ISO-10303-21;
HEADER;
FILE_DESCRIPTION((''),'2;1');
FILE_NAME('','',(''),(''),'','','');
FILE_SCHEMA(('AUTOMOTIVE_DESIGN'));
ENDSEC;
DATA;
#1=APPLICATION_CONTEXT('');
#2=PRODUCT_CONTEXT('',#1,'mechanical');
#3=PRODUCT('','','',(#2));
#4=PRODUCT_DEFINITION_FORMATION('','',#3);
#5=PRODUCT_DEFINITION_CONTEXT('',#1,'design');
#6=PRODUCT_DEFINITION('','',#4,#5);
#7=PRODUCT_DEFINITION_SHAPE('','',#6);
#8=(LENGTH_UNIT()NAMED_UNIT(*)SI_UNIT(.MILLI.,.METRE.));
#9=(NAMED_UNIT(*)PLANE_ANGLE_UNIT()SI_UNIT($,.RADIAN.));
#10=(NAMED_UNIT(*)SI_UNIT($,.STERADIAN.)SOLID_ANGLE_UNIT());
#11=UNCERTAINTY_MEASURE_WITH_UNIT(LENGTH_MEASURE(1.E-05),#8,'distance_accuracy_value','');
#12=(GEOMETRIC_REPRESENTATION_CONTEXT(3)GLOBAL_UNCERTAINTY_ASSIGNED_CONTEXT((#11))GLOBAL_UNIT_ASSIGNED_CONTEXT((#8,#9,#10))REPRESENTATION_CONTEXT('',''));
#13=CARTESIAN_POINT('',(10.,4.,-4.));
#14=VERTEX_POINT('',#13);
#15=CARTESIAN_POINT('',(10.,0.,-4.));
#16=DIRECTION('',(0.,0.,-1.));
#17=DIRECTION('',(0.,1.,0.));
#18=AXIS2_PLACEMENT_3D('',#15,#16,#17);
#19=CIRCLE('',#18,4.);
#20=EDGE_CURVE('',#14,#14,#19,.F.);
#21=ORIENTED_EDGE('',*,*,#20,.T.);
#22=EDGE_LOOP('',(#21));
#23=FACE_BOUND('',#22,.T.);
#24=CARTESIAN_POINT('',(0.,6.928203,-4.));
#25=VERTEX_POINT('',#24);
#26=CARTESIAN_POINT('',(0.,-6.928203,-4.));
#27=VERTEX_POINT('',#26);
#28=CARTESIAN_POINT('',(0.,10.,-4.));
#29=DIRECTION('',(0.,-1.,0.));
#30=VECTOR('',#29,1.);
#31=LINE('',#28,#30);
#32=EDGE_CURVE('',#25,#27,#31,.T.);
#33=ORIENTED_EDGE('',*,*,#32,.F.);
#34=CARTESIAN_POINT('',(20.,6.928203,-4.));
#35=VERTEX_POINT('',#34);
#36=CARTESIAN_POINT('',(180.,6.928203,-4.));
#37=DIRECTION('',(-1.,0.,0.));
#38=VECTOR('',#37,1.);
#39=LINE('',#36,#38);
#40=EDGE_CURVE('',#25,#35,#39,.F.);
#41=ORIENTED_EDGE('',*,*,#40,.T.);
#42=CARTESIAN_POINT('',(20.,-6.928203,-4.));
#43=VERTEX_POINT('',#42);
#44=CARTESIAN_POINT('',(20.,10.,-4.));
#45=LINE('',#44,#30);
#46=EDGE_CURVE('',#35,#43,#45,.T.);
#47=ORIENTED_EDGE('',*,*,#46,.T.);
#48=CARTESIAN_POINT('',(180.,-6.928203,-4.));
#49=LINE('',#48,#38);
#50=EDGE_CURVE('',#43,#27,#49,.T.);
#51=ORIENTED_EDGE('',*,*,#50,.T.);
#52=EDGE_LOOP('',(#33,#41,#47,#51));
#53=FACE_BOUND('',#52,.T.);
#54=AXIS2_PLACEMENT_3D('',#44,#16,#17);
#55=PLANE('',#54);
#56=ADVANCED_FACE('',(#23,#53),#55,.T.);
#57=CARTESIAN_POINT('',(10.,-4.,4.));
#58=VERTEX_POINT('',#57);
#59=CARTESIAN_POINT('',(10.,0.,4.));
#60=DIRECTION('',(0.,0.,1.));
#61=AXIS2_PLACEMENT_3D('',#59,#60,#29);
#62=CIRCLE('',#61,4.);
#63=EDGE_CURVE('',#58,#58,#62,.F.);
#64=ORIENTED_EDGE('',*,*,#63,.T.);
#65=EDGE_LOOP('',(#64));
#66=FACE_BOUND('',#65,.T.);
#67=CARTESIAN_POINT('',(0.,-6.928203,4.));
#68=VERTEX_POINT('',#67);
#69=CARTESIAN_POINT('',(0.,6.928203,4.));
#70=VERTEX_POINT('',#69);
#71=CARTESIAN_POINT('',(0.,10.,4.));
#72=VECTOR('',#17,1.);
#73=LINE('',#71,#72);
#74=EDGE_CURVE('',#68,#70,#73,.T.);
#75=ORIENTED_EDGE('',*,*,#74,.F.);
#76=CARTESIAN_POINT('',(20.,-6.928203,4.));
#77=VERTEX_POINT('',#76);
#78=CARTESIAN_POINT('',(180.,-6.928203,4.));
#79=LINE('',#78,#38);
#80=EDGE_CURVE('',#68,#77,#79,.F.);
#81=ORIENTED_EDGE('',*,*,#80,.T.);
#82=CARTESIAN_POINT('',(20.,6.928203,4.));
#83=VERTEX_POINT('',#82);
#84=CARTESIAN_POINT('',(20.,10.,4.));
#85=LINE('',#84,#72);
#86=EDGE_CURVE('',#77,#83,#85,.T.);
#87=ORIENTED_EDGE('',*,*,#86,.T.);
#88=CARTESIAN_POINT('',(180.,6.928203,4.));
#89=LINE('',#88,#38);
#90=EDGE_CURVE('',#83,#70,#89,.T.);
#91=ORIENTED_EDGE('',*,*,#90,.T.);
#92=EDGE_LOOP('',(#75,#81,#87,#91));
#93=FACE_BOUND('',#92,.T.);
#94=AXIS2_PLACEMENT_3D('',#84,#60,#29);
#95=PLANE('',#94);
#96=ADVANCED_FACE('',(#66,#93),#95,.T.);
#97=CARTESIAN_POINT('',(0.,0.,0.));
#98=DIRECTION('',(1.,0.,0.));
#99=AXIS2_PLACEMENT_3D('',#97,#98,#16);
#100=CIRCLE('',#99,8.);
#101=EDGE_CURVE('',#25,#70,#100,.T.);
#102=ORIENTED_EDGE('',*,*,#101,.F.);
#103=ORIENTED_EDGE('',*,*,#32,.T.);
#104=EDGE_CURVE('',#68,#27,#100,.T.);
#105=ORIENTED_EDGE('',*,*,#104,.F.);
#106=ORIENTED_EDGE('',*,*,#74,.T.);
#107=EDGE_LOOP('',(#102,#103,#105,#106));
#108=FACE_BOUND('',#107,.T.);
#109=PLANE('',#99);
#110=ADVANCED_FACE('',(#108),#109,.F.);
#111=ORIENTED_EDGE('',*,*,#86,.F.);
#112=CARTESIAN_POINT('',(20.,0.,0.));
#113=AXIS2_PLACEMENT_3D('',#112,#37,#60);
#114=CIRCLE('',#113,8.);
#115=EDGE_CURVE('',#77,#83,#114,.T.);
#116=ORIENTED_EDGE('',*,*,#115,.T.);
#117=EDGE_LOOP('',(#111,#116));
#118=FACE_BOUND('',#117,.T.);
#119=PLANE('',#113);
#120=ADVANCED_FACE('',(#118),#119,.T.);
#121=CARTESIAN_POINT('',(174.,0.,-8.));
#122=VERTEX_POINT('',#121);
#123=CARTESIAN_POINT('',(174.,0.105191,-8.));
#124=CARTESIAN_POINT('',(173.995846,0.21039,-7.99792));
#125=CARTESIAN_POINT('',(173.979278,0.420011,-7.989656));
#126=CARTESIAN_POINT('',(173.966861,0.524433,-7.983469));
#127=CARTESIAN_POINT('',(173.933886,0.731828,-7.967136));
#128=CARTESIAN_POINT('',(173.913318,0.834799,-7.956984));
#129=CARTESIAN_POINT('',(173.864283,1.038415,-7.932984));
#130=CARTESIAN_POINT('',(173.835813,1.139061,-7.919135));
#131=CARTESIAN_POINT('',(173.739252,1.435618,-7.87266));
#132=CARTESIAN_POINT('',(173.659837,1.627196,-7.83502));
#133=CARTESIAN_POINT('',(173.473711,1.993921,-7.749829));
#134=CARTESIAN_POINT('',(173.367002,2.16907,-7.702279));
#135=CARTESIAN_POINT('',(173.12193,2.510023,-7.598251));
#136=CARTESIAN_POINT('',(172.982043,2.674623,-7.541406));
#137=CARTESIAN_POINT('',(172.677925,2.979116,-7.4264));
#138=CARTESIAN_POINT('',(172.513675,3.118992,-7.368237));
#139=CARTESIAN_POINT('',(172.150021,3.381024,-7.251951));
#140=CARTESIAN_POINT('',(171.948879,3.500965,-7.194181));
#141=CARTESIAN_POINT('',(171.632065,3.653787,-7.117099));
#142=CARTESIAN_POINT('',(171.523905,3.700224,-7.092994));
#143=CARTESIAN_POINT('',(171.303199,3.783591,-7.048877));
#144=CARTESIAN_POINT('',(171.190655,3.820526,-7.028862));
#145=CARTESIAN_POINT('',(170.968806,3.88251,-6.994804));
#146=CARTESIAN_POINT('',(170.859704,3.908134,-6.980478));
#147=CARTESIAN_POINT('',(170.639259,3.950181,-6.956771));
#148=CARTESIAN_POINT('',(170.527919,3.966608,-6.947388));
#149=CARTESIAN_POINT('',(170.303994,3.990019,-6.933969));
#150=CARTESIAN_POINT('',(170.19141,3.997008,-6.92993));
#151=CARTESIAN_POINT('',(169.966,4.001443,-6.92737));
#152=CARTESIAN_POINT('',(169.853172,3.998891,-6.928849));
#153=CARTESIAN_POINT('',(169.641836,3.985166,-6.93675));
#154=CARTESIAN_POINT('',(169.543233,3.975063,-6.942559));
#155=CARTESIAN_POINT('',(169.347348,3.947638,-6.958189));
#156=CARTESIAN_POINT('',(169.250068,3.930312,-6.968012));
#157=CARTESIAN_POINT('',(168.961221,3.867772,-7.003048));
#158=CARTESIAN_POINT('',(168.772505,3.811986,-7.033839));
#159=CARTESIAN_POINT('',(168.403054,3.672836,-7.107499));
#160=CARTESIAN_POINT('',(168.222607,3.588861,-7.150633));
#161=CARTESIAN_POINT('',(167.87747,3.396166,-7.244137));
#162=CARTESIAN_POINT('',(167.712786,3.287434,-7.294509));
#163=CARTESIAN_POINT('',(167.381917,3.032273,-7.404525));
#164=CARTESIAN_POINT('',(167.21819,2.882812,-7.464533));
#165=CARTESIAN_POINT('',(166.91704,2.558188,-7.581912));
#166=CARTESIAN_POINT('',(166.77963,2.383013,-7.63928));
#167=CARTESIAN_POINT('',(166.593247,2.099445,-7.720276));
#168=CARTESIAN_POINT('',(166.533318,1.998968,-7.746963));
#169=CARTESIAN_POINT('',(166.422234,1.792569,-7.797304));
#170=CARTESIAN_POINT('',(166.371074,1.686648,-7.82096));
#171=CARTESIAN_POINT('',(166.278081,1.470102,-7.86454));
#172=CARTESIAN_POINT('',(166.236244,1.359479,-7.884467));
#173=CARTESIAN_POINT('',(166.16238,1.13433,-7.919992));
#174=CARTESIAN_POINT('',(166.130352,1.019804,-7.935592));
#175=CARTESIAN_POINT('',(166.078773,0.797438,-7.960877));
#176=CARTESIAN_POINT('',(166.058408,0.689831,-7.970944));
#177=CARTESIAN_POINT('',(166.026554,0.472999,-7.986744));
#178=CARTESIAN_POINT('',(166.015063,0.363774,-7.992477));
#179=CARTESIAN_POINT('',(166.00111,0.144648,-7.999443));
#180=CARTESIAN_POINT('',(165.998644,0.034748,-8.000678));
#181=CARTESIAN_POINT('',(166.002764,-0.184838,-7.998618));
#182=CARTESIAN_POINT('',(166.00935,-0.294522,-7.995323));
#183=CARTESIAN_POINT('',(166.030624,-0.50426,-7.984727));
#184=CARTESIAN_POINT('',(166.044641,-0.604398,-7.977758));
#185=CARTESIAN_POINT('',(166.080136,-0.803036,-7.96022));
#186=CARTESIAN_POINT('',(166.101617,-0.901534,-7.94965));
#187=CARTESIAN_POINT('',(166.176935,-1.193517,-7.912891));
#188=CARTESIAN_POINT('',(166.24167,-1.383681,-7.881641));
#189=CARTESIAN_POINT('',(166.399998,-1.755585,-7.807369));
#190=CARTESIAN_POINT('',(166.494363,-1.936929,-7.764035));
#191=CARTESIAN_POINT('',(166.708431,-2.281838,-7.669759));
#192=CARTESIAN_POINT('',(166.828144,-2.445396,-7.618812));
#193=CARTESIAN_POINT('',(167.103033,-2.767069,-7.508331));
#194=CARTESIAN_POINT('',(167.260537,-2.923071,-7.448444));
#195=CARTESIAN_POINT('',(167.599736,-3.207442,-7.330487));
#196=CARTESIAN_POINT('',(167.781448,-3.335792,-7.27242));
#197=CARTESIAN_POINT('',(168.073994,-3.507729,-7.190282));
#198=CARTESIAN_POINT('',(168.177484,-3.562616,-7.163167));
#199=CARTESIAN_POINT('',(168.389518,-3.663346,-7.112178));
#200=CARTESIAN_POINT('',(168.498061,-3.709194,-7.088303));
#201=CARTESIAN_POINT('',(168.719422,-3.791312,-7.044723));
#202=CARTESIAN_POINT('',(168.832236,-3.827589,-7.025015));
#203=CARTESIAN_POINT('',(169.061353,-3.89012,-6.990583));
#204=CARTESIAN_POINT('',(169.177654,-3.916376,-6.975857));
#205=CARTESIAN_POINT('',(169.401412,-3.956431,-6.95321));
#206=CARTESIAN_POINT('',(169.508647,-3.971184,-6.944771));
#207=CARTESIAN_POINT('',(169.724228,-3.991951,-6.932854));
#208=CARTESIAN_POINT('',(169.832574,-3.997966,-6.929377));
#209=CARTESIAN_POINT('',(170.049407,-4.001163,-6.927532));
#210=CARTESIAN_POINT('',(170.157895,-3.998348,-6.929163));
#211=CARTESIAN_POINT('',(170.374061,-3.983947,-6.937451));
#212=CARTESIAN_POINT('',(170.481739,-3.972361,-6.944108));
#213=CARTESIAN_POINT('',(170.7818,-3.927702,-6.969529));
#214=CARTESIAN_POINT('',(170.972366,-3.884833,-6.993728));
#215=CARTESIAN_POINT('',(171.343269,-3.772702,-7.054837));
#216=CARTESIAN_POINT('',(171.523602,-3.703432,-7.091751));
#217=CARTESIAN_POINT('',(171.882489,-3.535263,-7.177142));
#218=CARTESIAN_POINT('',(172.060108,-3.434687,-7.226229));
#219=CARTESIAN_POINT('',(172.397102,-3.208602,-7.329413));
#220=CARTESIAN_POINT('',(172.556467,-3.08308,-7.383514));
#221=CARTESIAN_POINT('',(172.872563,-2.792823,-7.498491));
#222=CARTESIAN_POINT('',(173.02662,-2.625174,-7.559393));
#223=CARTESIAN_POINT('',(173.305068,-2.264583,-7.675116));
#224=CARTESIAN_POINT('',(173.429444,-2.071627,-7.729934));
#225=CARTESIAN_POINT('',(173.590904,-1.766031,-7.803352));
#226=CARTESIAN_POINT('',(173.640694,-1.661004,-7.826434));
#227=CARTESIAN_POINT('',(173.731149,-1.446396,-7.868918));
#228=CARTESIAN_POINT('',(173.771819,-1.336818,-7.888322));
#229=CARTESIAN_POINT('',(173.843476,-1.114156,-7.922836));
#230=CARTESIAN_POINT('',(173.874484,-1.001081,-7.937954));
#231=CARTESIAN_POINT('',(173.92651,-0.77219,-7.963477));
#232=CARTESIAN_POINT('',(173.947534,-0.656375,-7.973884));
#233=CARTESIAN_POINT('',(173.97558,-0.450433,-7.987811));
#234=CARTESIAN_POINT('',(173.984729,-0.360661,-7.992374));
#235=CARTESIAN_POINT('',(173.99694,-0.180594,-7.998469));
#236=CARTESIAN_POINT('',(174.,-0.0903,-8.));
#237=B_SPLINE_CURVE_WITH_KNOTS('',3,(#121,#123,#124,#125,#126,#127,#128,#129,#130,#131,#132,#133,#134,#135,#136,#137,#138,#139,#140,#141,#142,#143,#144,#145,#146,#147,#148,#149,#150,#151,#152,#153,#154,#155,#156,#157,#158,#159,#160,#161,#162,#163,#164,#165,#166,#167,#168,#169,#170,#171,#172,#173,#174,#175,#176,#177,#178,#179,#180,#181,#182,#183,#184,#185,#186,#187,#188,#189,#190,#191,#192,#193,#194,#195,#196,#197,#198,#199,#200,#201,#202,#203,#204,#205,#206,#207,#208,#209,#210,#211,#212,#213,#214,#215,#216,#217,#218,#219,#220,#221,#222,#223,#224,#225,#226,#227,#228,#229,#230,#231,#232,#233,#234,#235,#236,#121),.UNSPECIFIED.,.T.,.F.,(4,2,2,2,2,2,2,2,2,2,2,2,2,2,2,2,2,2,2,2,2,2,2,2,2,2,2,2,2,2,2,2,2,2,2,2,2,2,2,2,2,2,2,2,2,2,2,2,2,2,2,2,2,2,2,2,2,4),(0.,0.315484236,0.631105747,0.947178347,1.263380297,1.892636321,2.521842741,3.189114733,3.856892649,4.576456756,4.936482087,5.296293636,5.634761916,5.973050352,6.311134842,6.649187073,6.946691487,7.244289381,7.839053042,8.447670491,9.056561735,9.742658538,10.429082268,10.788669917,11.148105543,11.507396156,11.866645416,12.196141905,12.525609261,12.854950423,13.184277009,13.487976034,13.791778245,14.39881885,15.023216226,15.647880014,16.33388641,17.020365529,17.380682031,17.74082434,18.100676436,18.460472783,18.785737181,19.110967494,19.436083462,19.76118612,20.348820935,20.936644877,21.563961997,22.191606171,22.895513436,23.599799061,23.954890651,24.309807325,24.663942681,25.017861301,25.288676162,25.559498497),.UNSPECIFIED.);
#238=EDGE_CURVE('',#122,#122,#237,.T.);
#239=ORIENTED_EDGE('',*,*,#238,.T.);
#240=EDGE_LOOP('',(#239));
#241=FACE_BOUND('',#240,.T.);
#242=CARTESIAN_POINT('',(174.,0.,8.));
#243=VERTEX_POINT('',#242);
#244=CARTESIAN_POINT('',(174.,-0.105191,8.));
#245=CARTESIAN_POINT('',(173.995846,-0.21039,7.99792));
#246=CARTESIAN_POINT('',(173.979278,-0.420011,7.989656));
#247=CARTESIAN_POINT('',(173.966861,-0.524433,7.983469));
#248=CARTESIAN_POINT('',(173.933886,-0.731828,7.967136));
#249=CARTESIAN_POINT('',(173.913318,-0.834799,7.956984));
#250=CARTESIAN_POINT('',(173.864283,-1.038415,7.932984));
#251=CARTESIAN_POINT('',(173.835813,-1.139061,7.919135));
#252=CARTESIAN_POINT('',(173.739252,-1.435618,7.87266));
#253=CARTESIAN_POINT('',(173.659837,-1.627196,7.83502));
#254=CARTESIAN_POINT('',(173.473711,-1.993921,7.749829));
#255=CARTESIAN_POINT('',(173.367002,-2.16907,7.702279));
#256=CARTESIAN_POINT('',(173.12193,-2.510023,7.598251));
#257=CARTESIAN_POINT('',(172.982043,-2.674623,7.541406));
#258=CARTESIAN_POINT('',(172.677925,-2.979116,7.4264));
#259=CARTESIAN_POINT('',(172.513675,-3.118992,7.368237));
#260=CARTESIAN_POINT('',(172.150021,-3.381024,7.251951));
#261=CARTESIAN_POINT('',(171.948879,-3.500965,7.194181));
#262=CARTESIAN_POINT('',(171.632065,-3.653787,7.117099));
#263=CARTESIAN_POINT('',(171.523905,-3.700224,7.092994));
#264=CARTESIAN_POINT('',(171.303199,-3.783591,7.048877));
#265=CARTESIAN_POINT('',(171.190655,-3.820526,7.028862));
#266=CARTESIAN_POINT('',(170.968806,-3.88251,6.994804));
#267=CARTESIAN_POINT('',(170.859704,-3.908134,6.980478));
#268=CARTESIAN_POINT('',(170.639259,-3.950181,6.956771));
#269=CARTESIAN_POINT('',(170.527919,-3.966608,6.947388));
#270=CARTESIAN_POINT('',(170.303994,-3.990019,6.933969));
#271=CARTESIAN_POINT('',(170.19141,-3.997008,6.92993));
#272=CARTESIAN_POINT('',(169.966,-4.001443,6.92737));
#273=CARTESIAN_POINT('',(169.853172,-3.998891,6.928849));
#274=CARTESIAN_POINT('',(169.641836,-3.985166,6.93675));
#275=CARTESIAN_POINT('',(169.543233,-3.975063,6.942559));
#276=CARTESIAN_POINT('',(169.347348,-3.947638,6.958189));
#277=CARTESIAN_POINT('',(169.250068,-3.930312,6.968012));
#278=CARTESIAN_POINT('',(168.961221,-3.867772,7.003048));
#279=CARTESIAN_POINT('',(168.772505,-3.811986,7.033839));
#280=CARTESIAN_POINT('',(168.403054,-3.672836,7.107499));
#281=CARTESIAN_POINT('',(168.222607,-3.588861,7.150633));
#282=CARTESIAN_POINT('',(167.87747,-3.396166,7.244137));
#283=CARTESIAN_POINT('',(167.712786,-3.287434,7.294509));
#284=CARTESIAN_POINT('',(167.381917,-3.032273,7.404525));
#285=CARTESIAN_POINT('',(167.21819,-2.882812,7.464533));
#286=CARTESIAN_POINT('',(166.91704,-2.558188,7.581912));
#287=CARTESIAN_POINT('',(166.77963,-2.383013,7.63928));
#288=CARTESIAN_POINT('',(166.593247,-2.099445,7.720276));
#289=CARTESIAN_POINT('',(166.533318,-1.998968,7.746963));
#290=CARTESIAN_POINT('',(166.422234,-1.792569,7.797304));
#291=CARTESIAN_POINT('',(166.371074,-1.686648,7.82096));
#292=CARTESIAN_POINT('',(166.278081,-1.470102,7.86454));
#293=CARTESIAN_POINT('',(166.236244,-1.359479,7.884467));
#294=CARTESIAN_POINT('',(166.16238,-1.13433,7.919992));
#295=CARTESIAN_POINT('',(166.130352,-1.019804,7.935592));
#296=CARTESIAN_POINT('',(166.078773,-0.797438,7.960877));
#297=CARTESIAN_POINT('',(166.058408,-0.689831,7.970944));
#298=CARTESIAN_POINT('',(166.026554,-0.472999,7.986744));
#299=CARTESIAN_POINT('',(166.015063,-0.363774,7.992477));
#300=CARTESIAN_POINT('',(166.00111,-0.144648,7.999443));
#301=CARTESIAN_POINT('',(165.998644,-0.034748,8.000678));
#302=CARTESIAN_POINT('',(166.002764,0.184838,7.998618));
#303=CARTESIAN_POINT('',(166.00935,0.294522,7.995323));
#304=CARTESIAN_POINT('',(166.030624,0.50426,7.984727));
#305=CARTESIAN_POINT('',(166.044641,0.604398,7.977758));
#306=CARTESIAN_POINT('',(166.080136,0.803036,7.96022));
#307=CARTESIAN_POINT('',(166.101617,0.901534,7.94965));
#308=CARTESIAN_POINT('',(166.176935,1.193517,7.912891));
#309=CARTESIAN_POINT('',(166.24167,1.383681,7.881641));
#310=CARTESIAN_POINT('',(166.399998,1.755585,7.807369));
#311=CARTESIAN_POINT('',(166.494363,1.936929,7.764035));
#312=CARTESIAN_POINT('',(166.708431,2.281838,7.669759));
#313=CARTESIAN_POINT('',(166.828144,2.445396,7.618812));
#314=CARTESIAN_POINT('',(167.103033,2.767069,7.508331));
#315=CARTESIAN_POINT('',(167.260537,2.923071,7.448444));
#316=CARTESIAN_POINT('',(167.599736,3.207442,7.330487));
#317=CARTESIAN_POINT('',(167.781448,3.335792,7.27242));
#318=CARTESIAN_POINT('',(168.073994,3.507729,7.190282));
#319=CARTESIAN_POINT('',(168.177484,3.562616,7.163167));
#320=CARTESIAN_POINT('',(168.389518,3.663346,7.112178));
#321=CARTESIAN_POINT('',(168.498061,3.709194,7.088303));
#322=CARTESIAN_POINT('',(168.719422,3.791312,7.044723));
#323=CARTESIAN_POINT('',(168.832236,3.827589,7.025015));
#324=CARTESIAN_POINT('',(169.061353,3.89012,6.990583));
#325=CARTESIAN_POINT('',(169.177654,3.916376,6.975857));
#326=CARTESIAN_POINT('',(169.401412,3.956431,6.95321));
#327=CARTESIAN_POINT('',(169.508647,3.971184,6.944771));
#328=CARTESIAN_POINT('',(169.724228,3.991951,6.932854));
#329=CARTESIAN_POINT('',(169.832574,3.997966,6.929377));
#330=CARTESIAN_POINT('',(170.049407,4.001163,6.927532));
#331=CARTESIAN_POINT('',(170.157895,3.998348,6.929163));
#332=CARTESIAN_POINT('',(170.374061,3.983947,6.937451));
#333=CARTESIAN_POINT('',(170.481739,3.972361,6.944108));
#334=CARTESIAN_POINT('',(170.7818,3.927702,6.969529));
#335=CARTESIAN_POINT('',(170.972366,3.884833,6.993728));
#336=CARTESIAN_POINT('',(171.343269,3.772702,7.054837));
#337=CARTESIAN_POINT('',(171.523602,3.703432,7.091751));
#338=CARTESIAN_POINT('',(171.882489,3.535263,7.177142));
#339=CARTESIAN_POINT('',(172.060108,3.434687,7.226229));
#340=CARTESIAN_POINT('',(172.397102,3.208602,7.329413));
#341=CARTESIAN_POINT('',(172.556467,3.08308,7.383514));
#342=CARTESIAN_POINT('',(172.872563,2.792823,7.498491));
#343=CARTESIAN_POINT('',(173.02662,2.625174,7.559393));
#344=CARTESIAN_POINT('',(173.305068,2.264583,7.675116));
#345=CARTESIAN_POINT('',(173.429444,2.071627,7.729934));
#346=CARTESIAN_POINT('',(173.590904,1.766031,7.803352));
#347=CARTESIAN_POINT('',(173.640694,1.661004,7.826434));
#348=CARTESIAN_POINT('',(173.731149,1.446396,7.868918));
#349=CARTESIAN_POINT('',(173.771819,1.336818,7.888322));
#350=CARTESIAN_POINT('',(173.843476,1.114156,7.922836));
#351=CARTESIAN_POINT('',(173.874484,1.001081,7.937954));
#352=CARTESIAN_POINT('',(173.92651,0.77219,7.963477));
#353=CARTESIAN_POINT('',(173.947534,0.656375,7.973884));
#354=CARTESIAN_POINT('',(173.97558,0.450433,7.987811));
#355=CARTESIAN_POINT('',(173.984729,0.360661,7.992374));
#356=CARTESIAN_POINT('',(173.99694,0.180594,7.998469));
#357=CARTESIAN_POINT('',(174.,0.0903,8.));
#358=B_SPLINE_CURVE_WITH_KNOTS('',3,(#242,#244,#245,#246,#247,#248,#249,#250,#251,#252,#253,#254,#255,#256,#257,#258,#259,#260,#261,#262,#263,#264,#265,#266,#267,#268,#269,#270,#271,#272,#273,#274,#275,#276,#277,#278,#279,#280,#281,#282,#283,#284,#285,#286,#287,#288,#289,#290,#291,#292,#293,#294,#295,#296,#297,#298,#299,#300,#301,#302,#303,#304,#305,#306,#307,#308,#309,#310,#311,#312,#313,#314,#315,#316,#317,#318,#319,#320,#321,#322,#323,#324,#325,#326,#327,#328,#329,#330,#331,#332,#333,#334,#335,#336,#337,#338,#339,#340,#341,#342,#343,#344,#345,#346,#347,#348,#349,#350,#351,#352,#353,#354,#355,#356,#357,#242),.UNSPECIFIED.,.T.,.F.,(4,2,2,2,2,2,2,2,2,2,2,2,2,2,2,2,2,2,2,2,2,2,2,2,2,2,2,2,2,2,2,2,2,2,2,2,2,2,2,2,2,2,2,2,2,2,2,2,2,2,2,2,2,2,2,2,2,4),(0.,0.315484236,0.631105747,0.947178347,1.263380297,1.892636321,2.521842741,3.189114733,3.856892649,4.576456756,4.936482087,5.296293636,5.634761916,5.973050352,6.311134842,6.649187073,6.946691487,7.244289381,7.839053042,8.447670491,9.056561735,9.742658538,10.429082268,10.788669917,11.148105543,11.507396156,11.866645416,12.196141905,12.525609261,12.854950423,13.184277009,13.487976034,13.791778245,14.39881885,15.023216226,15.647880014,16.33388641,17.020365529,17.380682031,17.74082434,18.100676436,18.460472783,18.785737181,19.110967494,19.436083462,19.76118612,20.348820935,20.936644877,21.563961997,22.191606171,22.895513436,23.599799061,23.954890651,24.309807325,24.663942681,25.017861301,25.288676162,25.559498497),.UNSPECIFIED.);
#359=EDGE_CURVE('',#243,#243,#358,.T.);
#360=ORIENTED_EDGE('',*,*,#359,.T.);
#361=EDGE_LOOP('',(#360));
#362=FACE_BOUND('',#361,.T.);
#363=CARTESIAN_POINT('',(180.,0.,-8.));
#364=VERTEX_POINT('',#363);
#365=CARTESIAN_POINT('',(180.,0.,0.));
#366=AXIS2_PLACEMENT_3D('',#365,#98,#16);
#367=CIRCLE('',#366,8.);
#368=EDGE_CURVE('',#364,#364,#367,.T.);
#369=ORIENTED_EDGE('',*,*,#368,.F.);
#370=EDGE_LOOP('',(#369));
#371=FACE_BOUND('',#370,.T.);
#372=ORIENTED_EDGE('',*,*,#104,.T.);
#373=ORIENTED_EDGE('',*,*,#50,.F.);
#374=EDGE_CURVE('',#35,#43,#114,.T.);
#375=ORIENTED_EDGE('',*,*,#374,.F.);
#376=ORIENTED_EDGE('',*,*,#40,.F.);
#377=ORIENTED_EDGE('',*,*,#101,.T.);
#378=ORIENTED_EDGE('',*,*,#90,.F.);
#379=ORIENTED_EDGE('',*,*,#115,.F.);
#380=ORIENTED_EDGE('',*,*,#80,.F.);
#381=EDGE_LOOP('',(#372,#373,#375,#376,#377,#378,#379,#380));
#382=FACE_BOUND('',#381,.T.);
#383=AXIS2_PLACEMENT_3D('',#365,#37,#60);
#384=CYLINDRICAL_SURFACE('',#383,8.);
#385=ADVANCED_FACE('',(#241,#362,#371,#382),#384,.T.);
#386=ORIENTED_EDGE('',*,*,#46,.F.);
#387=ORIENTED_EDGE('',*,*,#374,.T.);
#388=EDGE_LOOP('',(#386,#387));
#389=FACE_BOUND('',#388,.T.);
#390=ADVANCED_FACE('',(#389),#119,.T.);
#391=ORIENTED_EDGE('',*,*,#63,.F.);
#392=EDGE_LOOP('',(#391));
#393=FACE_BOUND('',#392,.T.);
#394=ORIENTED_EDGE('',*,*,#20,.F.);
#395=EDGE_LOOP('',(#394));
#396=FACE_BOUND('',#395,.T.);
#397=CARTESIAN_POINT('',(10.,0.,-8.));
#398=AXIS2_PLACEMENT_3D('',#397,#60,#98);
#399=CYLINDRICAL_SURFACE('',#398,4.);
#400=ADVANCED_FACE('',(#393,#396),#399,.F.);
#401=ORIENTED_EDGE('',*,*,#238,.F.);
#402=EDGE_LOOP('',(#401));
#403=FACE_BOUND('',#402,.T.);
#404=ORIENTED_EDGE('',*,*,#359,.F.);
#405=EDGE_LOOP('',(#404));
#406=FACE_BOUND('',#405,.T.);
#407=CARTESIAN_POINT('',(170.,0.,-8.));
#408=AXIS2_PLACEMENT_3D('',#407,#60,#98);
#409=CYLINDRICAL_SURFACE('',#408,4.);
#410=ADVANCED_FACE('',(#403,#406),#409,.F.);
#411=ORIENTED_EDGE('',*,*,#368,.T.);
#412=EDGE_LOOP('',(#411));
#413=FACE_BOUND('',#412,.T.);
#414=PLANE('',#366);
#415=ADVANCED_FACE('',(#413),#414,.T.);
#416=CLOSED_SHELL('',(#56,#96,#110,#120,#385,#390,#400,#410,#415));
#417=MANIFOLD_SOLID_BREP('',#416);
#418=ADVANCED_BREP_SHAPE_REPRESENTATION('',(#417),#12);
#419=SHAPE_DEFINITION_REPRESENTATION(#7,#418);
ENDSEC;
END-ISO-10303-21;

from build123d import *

# Parameters (mm, degrees)
SKETCH_1_R               = 8
EXTRUDE_1_DEPTH          = 180
SKETCH_2_R               = 4
CUT_EXTRUDE_1_DEPTH      = 9
CUT_EXTRUDE_1_DEPTH_BACK = 9
SKETCH_3_OUTSIDE_W       = 54.284
SKETCH_3_OUTSIDE_H       = 54.284
SKETCH_3_OUTSIDE_W_2     = 8
SKETCH_3_OUTSIDE_H_2     = 20
CUT_EXTRUDE_2_DEPTH      = 20


with BuildPart() as part:
    # 草图1 → 凸台-拉伸1 (new body)
    with BuildSketch(Plane(origin=(0, 0, 0), x_dir=(0, 0, -1), z_dir=(1, 0, 0))):
        Circle(SKETCH_1_R)
    extrude(amount=EXTRUDE_1_DEPTH)

    # 草图2 → 切除-拉伸1 (cut, two sides)
    with BuildSketch(Plane.XY) as cut_extrude_1_sk:
        with Locations((10, 0)):
            Circle(SKETCH_2_R)
        with Locations((170, 0)):
            Circle(SKETCH_2_R)
    extrude(amount=CUT_EXTRUDE_1_DEPTH, mode=Mode.SUBTRACT)
    extrude(cut_extrude_1_sk.sketch, amount=-CUT_EXTRUDE_1_DEPTH_BACK, mode=Mode.SUBTRACT)

    # 草图3 outside → 切除-拉伸2 (cut)
    with BuildSketch(Plane.ZY):
        Rectangle(SKETCH_3_OUTSIDE_W, SKETCH_3_OUTSIDE_H)
        Rectangle(SKETCH_3_OUTSIDE_W_2, SKETCH_3_OUTSIDE_H_2, mode=Mode.SUBTRACT)
    extrude(amount=-CUT_EXTRUDE_2_DEPTH, mode=Mode.SUBTRACT)


solid = part.part
